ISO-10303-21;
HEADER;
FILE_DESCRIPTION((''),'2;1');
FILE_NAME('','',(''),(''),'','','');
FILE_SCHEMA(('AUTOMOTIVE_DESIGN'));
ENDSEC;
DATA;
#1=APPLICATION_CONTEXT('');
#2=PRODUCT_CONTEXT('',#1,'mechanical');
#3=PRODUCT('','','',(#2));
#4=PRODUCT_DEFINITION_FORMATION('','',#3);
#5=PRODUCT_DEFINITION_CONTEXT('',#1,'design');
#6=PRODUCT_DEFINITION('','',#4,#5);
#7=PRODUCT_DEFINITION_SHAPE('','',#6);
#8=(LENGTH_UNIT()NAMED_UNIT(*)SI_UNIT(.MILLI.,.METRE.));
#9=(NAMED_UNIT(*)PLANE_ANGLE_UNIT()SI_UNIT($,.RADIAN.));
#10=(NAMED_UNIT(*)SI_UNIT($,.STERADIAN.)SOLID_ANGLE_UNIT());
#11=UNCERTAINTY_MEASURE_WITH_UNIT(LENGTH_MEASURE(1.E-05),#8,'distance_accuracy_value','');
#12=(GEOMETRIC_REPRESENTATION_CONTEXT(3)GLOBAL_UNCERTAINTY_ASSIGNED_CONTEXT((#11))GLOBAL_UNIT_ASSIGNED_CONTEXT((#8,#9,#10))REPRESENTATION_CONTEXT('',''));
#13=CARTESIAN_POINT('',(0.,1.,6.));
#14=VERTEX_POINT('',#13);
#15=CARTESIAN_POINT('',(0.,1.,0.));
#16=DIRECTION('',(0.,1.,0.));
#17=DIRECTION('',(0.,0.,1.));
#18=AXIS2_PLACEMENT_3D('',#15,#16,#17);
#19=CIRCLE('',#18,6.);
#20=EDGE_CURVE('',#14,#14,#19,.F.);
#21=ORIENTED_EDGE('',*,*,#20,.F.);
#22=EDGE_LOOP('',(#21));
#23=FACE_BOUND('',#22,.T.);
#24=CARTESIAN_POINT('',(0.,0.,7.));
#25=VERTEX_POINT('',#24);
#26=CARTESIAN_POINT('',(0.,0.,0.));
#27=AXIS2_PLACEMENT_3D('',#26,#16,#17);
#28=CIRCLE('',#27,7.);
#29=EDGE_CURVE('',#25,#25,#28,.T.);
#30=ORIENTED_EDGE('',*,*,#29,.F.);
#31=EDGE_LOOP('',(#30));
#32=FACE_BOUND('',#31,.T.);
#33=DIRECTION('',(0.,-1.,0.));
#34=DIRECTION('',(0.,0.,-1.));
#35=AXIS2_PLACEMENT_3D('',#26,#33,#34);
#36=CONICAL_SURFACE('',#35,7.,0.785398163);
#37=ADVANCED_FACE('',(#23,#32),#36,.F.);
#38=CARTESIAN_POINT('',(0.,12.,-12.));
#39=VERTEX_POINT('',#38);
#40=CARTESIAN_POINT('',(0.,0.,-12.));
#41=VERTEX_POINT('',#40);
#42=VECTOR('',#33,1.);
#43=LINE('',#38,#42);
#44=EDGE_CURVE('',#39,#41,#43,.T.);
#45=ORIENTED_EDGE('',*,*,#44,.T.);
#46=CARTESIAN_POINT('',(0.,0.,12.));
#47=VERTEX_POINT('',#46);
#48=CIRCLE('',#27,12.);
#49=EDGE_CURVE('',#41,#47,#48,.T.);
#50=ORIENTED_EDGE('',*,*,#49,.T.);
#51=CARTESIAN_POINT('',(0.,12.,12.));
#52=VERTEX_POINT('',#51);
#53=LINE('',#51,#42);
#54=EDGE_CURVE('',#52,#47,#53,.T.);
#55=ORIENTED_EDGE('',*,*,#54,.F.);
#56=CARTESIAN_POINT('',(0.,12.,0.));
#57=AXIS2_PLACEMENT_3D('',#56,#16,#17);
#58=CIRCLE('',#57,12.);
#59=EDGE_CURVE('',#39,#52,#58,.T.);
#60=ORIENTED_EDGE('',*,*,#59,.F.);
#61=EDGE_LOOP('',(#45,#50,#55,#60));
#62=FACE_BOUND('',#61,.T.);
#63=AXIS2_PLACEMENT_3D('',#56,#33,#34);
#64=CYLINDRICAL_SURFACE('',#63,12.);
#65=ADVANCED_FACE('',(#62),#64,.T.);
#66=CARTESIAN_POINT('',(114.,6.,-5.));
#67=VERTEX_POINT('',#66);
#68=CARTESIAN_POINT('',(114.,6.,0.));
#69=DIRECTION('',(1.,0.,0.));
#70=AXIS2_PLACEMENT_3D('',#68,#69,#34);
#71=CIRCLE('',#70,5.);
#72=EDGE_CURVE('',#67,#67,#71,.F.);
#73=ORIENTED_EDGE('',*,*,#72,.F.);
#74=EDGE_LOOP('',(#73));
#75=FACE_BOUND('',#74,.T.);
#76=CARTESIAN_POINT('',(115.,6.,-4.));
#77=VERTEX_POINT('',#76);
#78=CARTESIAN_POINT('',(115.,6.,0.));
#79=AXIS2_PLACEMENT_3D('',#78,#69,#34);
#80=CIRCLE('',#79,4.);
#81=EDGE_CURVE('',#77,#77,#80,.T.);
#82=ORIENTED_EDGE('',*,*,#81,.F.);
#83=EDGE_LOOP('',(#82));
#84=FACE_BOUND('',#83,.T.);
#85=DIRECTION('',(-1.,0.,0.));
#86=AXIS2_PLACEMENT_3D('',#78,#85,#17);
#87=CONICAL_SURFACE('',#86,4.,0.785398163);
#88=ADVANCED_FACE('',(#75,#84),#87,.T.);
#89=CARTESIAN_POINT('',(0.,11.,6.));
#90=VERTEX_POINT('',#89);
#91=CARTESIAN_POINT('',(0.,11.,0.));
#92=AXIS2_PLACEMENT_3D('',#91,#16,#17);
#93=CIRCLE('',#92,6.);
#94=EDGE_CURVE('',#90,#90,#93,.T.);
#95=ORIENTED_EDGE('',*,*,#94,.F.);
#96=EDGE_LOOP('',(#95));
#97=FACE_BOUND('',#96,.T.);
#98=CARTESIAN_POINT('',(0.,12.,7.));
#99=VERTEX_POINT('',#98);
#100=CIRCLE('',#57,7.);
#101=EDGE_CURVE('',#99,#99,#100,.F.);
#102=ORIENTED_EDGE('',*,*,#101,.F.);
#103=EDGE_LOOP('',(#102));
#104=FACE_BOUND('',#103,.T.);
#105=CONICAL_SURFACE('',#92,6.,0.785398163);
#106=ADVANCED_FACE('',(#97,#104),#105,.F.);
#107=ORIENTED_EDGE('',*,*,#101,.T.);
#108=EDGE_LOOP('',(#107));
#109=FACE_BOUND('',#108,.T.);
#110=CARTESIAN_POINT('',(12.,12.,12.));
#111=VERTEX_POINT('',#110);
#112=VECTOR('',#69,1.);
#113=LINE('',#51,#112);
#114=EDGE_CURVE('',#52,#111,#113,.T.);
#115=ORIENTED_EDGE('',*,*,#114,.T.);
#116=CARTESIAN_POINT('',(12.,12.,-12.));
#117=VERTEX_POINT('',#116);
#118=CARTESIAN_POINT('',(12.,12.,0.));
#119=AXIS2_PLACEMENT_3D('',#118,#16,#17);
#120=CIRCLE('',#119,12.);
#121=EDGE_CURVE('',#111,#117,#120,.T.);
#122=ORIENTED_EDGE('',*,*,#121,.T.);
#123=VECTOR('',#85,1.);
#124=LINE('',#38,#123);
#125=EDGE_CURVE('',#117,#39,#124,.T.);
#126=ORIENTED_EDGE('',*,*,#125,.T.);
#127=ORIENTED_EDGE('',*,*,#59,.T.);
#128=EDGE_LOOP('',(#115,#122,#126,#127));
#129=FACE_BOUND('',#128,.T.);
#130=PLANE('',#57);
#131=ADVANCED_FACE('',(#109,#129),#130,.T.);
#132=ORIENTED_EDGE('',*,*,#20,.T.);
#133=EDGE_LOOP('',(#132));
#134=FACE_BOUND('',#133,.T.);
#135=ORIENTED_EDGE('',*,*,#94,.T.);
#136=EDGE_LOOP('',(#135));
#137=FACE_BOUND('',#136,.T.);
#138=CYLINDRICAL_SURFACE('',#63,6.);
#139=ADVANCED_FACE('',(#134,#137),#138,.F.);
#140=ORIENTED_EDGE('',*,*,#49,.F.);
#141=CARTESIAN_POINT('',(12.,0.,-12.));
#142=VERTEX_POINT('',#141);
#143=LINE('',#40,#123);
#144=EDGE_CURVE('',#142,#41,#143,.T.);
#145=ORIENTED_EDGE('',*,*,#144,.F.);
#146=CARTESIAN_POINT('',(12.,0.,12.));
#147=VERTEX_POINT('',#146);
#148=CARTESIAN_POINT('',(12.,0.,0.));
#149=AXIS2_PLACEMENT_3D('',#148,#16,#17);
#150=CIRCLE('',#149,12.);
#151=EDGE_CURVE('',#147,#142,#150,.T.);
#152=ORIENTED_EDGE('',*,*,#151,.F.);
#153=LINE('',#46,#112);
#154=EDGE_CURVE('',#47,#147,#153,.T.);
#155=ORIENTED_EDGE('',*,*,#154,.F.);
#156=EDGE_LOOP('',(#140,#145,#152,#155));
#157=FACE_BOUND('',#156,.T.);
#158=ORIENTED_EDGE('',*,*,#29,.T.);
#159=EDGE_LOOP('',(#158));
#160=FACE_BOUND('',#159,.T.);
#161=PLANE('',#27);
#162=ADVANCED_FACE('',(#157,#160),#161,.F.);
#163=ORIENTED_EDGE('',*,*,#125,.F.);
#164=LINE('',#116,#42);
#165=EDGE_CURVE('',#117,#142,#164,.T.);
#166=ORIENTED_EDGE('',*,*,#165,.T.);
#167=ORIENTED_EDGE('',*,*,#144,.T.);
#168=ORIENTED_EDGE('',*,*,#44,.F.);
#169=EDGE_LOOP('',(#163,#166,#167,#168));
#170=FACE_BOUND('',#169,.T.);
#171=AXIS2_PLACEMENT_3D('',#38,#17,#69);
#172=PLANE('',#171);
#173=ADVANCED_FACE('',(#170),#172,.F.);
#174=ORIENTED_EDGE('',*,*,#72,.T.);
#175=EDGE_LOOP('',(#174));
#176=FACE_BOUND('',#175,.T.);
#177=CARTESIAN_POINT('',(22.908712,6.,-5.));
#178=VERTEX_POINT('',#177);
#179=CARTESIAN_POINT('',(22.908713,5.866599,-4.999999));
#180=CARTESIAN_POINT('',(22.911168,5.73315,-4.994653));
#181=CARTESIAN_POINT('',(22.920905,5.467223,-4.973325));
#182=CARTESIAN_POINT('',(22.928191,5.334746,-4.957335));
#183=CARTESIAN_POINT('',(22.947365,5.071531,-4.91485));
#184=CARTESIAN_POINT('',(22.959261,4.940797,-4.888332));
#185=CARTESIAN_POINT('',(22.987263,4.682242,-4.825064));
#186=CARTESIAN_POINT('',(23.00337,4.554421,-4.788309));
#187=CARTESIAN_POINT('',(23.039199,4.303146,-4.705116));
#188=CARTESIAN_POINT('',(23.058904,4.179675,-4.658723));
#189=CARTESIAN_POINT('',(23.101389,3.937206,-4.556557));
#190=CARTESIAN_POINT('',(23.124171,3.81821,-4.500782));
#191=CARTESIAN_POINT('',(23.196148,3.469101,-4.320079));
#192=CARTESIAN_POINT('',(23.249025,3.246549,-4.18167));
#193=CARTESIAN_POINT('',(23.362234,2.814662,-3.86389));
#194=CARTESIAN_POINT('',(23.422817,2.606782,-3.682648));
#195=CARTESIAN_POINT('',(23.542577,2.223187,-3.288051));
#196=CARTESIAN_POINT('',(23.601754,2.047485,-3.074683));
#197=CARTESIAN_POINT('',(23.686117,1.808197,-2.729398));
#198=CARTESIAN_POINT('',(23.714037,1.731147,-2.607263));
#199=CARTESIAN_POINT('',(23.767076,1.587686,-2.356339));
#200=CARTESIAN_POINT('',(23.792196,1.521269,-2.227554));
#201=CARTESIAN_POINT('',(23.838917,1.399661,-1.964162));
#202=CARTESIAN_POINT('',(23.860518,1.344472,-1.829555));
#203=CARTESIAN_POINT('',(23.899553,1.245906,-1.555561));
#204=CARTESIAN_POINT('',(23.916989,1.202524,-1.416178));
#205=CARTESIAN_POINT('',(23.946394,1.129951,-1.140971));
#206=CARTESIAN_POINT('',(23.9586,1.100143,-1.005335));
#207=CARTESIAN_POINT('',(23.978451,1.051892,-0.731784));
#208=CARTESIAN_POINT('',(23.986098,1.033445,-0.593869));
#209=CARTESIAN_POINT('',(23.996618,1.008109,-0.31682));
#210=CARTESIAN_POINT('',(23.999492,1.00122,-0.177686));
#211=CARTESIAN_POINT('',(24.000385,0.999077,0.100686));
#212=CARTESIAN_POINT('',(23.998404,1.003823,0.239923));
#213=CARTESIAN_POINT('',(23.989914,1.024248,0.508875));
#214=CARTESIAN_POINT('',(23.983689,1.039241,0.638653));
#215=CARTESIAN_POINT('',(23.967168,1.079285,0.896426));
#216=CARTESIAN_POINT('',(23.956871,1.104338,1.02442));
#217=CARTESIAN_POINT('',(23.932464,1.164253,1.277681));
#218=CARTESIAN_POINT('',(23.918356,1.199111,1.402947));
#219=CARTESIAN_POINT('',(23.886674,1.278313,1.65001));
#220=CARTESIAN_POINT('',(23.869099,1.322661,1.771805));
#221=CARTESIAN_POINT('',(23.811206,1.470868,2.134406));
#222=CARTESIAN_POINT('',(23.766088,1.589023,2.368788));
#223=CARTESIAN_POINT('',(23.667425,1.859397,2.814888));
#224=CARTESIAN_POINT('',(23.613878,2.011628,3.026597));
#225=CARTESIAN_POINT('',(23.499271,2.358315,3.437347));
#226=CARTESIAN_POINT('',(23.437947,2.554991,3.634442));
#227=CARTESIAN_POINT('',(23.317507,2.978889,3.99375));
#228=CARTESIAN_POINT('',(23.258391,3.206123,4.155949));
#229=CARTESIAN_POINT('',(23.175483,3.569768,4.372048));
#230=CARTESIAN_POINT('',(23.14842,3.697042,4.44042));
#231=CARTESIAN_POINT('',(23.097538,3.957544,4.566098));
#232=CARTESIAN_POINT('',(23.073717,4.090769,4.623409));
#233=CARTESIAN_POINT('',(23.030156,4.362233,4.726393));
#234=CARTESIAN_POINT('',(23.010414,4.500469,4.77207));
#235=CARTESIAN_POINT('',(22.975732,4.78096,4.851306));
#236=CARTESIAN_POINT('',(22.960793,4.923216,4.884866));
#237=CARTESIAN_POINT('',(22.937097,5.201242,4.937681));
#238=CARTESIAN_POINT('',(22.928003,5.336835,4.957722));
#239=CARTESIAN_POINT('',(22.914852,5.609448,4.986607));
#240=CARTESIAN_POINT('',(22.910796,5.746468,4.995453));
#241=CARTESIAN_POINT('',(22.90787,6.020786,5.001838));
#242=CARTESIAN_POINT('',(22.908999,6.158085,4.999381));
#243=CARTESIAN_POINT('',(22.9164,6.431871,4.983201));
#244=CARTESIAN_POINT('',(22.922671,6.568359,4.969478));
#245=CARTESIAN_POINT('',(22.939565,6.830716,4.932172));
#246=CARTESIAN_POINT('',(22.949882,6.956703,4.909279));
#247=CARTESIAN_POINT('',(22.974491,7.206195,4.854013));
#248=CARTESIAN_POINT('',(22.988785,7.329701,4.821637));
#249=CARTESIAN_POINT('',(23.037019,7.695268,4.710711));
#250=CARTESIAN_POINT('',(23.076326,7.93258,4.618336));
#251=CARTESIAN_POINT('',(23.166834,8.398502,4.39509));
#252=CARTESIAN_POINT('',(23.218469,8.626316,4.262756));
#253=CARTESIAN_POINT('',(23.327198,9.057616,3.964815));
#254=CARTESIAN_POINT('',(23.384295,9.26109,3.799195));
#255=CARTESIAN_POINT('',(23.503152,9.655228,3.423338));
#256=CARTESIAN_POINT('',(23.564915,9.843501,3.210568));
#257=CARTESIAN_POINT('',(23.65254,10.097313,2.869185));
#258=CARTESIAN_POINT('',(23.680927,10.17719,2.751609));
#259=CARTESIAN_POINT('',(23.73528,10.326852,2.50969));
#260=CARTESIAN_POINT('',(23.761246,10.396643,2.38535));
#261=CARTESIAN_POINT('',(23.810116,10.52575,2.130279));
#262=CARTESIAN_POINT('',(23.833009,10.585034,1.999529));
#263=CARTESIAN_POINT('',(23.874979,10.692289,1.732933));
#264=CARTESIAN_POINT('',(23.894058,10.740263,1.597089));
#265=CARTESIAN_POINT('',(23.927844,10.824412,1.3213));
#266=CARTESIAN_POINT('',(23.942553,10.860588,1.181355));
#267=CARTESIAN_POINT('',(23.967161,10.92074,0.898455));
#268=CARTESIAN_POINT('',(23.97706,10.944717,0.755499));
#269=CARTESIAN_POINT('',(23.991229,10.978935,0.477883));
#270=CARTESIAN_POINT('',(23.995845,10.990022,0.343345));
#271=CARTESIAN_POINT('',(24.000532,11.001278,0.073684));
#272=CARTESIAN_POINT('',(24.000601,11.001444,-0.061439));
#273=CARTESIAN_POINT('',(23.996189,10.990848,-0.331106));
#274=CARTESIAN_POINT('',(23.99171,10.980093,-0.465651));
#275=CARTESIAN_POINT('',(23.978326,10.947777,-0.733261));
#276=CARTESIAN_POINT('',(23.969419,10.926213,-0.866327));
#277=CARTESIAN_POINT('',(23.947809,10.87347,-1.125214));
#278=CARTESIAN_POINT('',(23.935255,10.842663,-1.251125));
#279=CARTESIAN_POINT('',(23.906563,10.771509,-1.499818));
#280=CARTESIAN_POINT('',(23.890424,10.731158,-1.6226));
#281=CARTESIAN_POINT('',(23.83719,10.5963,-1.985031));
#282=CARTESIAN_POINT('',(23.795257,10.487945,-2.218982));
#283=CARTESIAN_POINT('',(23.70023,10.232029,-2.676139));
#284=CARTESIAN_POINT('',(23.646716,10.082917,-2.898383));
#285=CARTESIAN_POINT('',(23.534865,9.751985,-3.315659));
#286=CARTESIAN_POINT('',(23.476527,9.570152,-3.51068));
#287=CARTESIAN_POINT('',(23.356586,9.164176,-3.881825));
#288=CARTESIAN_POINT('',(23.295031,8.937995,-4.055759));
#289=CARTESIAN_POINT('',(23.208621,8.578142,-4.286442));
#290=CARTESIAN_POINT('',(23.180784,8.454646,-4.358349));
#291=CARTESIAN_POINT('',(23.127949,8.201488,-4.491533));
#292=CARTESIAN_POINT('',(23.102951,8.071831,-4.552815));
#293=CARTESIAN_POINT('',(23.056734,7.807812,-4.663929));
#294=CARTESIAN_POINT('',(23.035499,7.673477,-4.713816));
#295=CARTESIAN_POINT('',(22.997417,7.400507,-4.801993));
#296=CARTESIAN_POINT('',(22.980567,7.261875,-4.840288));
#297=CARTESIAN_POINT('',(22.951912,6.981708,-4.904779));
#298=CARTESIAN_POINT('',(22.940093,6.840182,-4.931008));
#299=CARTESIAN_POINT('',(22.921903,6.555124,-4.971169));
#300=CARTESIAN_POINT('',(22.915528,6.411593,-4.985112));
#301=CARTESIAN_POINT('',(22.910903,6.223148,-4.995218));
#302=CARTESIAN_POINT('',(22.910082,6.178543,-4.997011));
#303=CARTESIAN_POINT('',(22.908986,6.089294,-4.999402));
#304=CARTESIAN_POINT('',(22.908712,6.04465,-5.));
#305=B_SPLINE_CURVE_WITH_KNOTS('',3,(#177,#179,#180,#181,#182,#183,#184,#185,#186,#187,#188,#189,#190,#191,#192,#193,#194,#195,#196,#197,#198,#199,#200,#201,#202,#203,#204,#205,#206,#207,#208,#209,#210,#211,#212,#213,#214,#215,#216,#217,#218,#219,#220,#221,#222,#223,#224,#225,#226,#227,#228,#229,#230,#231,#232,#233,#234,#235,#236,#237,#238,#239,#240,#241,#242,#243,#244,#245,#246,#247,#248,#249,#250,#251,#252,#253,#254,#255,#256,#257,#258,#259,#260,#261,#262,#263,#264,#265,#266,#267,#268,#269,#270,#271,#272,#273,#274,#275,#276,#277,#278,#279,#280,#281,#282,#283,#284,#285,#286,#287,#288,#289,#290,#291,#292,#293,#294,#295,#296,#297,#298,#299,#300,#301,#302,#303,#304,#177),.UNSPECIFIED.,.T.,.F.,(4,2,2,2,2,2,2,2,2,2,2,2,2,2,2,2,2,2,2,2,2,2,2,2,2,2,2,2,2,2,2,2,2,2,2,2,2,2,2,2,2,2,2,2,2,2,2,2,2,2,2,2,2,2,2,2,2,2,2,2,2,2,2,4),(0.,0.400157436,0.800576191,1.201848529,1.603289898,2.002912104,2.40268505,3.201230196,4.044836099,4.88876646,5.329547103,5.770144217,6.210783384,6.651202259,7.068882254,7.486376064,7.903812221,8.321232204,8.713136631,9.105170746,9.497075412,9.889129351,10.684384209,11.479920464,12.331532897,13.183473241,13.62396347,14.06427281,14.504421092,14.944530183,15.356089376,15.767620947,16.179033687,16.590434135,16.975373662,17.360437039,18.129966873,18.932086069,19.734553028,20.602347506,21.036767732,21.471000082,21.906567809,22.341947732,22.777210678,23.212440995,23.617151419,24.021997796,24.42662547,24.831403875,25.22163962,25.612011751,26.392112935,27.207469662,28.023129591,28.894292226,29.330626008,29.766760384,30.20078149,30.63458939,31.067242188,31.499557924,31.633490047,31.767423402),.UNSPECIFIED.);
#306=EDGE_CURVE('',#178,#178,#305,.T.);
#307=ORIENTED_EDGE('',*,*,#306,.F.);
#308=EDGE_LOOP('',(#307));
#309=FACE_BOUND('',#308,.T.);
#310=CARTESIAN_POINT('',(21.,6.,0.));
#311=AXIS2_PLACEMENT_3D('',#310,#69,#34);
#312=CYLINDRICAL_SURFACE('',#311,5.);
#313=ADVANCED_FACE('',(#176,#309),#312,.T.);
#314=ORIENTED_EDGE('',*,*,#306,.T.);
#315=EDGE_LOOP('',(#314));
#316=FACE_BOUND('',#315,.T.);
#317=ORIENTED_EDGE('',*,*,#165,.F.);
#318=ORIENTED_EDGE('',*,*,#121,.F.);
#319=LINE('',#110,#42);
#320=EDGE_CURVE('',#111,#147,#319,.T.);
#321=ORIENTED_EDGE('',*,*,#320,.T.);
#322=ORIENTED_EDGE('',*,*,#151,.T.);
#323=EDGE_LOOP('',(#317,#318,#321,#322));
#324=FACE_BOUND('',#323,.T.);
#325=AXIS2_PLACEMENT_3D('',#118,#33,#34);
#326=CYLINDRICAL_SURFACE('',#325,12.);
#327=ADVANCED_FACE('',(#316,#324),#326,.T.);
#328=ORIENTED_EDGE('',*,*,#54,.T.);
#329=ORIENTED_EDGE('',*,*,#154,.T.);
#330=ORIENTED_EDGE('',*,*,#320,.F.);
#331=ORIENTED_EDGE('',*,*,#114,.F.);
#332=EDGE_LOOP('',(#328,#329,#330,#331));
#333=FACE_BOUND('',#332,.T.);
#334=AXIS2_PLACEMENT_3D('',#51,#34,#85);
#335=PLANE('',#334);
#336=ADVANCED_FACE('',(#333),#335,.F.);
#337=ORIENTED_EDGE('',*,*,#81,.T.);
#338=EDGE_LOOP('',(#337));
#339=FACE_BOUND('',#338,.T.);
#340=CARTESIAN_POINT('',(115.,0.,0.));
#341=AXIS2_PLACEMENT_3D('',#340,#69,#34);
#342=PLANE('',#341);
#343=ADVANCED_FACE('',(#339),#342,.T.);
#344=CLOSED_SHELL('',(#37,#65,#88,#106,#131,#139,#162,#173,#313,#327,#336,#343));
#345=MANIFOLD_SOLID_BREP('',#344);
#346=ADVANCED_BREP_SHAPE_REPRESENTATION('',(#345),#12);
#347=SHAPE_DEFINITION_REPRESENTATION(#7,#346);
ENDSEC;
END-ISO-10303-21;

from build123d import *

# Parameters (mm, degrees)
SKETCH1_R                = 6
BOSS_EXTRUDE1_DEPTH      = 12
CHAMFER1_SIZE            = 1
BOSS_EXTRUDE2_DEPTH      = 91
BOSS_EXTRUDE2_DEPTH_BACK = 3
SKETCH2_R                = 5
CHAMFER2_SIZE            = 1


with BuildPart() as part:
    # Sketch1 → Boss-Extrude1 (new body)
    with BuildSketch(Plane(origin=(0, 0, 0), x_dir=(1, 0, 0), z_dir=(0, 1, 0))):
        with BuildLine():
            Line((0, 12), (12, 12))
            ThreePointArc((12, 12), (24, 0), (12, -12))
            Line((12, -12), (0, -12))
            ThreePointArc((0, -12), (-12, 0), (0, 12))
        make_face()
        with Locations(Location((0, 0, 0), (0, 0, 270))):
            Circle(SKETCH1_R, mode=Mode.SUBTRACT)
    extrude(amount=BOSS_EXTRUDE1_DEPTH)

    # Chamfer1
    chamfer1_edges = [part.edges().sort_by_distance(p)[0] for p in [
        (0, 0, -6),
        (0, 12, -6),
    ]]
    chamfer(chamfer1_edges, length=CHAMFER1_SIZE)

    # Sketch2 → Boss-Extrude2 (add, two sides: drawn at the far end of the back side and taken through both)
    with BuildSketch(Plane(origin=(24, 0, 0), x_dir=(0, 0, -1), z_dir=(1, 0, 0)).offset(-BOSS_EXTRUDE2_DEPTH_BACK)):
        with Locations((0, 6)):
            Circle(SKETCH2_R)
    extrude(amount=BOSS_EXTRUDE2_DEPTH + BOSS_EXTRUDE2_DEPTH_BACK)

    # Chamfer2
    chamfer2_edges = [part.edges().sort_by_distance(p)[0] for p in [
        (115, 6, 5),
    ]]
    chamfer(chamfer2_edges, length=CHAMFER2_SIZE)


solid = part.part
